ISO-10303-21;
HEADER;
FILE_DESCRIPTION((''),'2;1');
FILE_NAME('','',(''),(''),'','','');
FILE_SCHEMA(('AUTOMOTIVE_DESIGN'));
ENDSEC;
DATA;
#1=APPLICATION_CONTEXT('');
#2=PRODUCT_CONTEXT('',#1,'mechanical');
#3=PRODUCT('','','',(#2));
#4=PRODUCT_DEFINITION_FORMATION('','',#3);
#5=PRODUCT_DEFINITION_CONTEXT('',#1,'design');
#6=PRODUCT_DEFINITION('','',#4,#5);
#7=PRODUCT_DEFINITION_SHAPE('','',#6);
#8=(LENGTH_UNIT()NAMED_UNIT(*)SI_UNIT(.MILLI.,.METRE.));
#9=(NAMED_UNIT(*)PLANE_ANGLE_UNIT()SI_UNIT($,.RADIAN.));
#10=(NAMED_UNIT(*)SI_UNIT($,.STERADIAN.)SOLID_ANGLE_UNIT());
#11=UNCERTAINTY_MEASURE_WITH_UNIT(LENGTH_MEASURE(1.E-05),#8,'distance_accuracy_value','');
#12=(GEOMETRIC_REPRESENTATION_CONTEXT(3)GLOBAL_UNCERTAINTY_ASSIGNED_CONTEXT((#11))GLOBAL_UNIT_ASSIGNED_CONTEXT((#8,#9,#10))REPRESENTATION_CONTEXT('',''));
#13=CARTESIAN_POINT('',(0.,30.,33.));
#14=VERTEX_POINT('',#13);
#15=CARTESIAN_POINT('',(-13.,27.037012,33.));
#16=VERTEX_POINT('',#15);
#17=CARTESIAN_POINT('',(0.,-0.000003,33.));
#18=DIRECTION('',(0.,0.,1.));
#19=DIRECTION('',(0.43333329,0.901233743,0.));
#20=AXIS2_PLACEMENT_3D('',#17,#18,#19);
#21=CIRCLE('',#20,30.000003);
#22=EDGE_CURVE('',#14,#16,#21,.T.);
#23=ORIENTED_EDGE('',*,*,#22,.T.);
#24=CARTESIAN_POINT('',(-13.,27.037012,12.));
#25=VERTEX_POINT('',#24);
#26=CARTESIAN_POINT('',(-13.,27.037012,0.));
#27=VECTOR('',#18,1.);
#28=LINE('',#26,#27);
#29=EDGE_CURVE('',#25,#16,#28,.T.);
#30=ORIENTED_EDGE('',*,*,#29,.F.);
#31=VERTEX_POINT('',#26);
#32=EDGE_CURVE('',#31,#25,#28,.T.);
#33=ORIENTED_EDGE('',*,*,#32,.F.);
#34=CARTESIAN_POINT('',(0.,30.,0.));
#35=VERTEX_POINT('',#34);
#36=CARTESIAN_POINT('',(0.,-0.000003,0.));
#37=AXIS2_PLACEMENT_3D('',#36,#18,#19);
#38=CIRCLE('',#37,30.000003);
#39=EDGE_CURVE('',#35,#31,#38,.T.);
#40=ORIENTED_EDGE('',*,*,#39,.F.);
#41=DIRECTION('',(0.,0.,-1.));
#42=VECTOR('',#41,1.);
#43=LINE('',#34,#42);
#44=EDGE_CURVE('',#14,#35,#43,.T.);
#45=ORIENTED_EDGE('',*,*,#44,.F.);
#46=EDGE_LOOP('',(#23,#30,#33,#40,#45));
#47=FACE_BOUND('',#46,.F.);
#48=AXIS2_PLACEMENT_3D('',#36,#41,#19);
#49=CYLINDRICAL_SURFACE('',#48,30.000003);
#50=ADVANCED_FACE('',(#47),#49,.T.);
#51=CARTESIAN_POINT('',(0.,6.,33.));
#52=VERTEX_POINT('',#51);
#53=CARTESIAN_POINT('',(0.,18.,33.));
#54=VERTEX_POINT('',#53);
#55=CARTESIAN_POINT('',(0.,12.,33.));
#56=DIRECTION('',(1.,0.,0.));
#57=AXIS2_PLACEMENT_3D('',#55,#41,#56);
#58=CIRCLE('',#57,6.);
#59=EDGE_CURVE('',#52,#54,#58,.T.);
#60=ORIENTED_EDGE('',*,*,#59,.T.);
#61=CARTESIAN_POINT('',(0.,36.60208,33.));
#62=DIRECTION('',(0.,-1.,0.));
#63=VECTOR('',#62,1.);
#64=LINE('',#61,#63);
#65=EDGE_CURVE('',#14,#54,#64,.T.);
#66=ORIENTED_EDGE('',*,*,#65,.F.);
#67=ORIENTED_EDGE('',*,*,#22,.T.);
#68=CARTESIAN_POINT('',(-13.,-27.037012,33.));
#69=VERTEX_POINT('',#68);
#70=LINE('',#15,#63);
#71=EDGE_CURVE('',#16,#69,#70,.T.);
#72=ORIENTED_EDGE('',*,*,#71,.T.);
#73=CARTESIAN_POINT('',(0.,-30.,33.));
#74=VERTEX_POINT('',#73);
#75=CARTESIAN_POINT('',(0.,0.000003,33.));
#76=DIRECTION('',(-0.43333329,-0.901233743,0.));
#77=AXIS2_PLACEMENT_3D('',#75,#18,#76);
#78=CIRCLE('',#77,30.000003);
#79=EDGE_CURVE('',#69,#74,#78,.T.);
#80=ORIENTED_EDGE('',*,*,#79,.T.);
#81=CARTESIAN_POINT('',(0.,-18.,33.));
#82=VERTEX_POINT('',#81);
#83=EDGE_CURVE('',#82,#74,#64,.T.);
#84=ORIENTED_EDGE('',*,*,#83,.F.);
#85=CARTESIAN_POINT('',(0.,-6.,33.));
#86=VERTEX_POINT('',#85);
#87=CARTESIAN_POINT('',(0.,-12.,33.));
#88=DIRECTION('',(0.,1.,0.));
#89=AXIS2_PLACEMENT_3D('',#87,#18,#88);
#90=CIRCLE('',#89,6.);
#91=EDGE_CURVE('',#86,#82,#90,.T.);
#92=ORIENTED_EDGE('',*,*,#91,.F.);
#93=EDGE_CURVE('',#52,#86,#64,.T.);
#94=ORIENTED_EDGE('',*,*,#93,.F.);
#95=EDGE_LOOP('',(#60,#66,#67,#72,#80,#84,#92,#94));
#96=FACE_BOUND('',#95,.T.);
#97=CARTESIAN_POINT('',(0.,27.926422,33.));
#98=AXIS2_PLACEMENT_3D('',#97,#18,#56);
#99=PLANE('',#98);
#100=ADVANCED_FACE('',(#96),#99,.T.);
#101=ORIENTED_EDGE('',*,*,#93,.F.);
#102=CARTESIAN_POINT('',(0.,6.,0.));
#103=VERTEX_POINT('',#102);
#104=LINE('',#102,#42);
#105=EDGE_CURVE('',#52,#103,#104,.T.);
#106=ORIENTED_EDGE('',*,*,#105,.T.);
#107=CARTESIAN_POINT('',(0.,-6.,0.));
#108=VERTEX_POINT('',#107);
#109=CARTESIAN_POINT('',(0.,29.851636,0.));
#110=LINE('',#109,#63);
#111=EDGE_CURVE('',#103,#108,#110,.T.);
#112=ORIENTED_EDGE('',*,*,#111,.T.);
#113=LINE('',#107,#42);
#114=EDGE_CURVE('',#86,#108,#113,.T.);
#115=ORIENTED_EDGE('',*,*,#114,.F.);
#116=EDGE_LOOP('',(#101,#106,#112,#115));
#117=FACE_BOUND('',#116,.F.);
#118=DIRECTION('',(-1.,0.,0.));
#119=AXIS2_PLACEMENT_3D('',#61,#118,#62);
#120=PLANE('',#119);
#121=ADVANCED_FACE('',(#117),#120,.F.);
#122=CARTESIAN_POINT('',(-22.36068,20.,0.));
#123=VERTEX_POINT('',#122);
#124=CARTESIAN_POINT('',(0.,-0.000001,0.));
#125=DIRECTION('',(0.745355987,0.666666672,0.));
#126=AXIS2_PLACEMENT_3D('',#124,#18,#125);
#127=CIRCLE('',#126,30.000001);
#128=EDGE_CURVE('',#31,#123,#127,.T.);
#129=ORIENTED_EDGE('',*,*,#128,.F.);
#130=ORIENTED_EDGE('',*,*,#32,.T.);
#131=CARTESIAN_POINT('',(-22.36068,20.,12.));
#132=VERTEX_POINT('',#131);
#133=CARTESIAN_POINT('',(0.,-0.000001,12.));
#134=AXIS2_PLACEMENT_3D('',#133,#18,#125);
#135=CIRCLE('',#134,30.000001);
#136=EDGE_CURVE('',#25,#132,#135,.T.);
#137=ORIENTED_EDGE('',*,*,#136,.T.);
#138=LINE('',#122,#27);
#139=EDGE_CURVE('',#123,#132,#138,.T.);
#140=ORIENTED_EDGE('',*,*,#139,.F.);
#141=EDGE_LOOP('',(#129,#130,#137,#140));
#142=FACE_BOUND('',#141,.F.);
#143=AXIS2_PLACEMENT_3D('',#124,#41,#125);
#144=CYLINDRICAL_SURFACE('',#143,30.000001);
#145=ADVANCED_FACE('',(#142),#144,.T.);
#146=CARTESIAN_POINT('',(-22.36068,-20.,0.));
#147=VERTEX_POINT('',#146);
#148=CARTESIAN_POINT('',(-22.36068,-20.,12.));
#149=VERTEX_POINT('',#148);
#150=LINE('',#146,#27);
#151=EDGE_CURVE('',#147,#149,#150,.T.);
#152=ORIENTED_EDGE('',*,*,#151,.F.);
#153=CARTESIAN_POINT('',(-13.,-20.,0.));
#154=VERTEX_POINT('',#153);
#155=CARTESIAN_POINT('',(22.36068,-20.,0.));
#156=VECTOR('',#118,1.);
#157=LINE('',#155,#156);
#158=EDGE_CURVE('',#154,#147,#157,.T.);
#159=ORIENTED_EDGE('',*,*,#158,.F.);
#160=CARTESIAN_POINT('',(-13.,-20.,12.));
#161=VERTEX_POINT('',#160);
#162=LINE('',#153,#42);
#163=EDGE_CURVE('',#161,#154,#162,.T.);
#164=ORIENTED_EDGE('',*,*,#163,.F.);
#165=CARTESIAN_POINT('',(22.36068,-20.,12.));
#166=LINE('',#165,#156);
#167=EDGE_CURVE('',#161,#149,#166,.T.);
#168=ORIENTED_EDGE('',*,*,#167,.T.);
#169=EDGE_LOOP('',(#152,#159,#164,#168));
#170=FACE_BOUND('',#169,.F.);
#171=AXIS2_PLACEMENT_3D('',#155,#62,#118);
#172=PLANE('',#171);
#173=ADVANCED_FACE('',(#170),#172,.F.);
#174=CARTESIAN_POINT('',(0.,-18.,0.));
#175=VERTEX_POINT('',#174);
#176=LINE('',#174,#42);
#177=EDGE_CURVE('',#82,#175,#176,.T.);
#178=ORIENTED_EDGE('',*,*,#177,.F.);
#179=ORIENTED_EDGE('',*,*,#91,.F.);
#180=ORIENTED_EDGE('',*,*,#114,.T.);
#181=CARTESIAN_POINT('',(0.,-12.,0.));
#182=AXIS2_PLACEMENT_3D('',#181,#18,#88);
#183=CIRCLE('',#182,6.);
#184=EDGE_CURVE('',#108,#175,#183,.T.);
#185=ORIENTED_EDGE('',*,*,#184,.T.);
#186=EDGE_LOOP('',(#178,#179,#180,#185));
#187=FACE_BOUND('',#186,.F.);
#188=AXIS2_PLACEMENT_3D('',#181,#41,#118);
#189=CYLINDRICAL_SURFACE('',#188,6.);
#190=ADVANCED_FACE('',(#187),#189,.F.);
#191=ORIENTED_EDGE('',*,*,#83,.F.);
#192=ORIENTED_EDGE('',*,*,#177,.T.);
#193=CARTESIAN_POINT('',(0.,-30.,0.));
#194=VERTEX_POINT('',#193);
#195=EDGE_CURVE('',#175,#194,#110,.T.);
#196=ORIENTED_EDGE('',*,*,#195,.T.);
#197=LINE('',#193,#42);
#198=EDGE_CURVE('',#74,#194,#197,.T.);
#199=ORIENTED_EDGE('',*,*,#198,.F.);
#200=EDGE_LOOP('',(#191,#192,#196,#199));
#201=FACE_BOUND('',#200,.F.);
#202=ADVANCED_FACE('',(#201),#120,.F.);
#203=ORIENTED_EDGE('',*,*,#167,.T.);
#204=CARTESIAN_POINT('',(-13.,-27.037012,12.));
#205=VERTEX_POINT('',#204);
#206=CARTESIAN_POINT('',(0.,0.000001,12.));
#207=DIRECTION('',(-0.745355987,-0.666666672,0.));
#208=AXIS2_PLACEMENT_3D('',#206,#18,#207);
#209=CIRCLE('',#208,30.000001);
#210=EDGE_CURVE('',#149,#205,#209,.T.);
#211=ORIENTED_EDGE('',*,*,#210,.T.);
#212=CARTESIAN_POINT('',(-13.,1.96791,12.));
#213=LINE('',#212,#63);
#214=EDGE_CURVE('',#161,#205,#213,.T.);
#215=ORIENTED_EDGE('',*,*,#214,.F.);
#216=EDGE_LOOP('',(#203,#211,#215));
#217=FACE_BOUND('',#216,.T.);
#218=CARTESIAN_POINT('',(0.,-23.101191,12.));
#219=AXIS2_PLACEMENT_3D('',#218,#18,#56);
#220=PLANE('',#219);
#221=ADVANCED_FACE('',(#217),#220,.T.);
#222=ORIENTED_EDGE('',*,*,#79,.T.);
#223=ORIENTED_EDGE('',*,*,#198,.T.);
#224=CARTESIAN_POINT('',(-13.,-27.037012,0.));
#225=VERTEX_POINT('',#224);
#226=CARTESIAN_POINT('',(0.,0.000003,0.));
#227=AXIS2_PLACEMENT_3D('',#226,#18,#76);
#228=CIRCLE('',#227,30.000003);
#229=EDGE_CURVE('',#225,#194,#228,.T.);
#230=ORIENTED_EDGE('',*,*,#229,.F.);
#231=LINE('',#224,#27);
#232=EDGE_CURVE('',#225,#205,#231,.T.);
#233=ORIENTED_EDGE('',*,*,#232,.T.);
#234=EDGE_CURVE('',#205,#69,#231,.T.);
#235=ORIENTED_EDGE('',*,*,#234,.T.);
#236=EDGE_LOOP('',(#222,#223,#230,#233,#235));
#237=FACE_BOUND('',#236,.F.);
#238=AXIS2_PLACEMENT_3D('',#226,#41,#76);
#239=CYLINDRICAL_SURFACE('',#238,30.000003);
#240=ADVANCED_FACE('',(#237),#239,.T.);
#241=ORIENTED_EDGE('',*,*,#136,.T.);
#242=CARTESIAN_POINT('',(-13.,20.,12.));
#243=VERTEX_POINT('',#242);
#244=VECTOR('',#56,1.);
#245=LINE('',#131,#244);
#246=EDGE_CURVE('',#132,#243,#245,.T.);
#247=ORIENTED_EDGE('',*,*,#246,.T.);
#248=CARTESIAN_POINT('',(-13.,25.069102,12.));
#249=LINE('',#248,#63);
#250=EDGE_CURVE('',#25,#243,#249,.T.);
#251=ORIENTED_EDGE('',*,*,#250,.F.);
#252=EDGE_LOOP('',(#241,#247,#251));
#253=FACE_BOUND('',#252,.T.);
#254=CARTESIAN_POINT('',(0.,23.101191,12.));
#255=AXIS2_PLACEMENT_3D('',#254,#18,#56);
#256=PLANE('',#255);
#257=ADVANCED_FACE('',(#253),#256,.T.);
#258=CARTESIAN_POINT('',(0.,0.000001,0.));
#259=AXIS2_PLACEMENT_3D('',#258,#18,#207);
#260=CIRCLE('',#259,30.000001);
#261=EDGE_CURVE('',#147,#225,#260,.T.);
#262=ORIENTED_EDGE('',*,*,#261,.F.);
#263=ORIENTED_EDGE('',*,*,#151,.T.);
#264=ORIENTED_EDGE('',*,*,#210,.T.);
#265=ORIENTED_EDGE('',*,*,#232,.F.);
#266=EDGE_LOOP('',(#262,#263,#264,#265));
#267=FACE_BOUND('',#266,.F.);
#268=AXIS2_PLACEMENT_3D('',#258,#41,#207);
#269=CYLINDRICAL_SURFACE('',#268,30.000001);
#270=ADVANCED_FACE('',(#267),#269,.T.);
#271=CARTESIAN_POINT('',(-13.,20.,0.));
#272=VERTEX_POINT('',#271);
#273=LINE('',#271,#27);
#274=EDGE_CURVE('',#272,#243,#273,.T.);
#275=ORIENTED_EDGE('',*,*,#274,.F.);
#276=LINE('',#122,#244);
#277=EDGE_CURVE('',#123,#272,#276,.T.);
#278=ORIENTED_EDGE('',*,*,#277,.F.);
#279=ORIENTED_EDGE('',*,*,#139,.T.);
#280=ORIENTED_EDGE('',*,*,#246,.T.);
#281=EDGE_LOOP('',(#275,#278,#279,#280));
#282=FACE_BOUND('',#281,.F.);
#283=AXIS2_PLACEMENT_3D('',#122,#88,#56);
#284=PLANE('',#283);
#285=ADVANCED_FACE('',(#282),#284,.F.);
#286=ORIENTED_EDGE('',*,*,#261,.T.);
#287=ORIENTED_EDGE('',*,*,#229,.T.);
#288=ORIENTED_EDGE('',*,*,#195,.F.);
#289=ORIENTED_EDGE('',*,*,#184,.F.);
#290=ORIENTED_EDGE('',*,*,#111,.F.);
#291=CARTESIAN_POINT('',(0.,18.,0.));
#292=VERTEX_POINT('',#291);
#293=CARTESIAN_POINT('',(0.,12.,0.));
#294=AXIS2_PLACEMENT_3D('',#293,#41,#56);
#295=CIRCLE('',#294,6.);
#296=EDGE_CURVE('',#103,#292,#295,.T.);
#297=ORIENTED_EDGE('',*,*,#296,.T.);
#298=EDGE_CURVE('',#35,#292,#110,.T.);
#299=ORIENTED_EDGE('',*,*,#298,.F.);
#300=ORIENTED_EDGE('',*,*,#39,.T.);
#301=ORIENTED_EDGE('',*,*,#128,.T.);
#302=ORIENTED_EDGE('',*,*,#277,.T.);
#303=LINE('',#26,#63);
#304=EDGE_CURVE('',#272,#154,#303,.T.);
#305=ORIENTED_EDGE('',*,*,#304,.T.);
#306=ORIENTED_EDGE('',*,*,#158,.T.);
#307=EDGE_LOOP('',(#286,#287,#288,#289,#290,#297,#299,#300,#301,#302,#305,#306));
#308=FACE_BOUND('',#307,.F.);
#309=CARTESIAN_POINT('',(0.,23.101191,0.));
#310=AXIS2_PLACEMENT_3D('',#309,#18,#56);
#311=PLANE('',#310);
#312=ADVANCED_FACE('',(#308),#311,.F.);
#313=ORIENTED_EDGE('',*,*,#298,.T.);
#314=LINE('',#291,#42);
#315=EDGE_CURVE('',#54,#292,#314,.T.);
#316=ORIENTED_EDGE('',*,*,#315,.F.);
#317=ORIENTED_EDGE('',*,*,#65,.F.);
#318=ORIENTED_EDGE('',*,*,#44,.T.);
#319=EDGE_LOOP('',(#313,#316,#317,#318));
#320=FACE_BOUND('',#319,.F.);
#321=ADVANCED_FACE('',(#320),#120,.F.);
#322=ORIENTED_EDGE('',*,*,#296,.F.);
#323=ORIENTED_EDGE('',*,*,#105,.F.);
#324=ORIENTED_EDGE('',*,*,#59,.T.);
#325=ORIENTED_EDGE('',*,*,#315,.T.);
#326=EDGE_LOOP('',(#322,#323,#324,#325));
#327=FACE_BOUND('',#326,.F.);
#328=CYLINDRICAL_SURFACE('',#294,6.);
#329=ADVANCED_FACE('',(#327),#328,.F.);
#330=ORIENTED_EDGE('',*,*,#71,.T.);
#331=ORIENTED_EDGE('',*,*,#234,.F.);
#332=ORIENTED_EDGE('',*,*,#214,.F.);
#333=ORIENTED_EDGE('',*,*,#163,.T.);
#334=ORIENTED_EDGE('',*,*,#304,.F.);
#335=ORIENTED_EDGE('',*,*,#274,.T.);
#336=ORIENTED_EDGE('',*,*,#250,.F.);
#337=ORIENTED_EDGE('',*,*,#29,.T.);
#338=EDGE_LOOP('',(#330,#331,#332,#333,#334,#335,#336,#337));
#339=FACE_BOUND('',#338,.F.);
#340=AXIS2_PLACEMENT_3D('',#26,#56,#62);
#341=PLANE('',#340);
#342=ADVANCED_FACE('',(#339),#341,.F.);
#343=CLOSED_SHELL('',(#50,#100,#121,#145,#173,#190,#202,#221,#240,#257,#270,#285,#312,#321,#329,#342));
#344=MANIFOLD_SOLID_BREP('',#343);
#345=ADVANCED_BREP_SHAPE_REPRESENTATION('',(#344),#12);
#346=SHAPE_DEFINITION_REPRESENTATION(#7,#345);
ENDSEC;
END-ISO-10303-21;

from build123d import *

# Parameters (mm, degrees)
F1_DEPTH = 33
F3_DEPTH = 12
F5_DEPTH = 33.001


with BuildPart() as f1:
    # F0 (on Top) → F1 (new body)
    with BuildSketch(Plane.XY):
        with BuildLine():
            Line((-13, 27.037012), (13, 27.037012))
            ThreePointArc((13, 27.037012), (0, 30), (-13, 27.037012))
        make_face()
        with BuildLine():
            ThreePointArc((-13, -27.037012), (0, -30), (13, -27.037012))
            Line((13, -27.037012), (-13, -27.037012))
        make_face()
        with BuildLine():
            Line((13, -12), (6, -12))
            ThreePointArc((6, -12), (0, -18), (-6, -12))
            Line((-6, -12), (-13, -12))
            Line((-13, -12), (-13, -27.037012))
            Line((-13, -27.037012), (13, -27.037012))
            Line((13, -27.037012), (13, -12))
        make_face()
        with BuildLine():
            ThreePointArc((-6, -12), (0, -6), (6, -12))
            Line((6, -12), (13, -12))
            Line((13, -12), (13, 12))
            Line((13, 12), (6, 12))
            ThreePointArc((6, 12), (0, 6), (-6, 12))
            Line((-6, 12), (-13, 12))
            Line((-13, 12), (-13, -12))
            Line((-13, -12), (-6, -12))
        make_face()
        with BuildLine():
            Line((6, 12), (13, 12))
            Line((13, 12), (13, 27.037012))
            Line((13, 27.037012), (-13, 27.037012))
            Line((-13, 27.037012), (-13, 12))
            Line((-13, 12), (-6, 12))
            ThreePointArc((-6, 12), (0, 18), (6, 12))
        make_face()
    extrude(amount=F1_DEPTH)

    # F2 (on Top) → F3 (join)
    with BuildSketch(Plane.XY):
        with BuildLine():
            Line((-12.883144, 20), (22.36068, 20))
            ThreePointArc((22.36068, 20), (0, 30), (-22.36068, 20))
            Line((-22.36068, 20), (-12.883144, 20))
        make_face()
        with BuildLine():
            ThreePointArc((-22.36068, -20), (0, -30), (22.36068, -20))
            Line((22.36068, -20), (-12.883144, -20))
            Line((-12.883144, -20), (-22.36068, -20))
        make_face()
    extrude(amount=F3_DEPTH)

    # F4 (on face) → F5 (cut, through all)
    with BuildSketch(Plane.XY.offset(33)):
        Polygon((0, 36.60208), (0, 35.889369), (0, 33.03853), (0, -37.947364), (28.590711, -37.947364), (28.590711, 36.60208), align=None)
    extrude(amount=-F5_DEPTH, mode=Mode.SUBTRACT)


solid = f1.part
